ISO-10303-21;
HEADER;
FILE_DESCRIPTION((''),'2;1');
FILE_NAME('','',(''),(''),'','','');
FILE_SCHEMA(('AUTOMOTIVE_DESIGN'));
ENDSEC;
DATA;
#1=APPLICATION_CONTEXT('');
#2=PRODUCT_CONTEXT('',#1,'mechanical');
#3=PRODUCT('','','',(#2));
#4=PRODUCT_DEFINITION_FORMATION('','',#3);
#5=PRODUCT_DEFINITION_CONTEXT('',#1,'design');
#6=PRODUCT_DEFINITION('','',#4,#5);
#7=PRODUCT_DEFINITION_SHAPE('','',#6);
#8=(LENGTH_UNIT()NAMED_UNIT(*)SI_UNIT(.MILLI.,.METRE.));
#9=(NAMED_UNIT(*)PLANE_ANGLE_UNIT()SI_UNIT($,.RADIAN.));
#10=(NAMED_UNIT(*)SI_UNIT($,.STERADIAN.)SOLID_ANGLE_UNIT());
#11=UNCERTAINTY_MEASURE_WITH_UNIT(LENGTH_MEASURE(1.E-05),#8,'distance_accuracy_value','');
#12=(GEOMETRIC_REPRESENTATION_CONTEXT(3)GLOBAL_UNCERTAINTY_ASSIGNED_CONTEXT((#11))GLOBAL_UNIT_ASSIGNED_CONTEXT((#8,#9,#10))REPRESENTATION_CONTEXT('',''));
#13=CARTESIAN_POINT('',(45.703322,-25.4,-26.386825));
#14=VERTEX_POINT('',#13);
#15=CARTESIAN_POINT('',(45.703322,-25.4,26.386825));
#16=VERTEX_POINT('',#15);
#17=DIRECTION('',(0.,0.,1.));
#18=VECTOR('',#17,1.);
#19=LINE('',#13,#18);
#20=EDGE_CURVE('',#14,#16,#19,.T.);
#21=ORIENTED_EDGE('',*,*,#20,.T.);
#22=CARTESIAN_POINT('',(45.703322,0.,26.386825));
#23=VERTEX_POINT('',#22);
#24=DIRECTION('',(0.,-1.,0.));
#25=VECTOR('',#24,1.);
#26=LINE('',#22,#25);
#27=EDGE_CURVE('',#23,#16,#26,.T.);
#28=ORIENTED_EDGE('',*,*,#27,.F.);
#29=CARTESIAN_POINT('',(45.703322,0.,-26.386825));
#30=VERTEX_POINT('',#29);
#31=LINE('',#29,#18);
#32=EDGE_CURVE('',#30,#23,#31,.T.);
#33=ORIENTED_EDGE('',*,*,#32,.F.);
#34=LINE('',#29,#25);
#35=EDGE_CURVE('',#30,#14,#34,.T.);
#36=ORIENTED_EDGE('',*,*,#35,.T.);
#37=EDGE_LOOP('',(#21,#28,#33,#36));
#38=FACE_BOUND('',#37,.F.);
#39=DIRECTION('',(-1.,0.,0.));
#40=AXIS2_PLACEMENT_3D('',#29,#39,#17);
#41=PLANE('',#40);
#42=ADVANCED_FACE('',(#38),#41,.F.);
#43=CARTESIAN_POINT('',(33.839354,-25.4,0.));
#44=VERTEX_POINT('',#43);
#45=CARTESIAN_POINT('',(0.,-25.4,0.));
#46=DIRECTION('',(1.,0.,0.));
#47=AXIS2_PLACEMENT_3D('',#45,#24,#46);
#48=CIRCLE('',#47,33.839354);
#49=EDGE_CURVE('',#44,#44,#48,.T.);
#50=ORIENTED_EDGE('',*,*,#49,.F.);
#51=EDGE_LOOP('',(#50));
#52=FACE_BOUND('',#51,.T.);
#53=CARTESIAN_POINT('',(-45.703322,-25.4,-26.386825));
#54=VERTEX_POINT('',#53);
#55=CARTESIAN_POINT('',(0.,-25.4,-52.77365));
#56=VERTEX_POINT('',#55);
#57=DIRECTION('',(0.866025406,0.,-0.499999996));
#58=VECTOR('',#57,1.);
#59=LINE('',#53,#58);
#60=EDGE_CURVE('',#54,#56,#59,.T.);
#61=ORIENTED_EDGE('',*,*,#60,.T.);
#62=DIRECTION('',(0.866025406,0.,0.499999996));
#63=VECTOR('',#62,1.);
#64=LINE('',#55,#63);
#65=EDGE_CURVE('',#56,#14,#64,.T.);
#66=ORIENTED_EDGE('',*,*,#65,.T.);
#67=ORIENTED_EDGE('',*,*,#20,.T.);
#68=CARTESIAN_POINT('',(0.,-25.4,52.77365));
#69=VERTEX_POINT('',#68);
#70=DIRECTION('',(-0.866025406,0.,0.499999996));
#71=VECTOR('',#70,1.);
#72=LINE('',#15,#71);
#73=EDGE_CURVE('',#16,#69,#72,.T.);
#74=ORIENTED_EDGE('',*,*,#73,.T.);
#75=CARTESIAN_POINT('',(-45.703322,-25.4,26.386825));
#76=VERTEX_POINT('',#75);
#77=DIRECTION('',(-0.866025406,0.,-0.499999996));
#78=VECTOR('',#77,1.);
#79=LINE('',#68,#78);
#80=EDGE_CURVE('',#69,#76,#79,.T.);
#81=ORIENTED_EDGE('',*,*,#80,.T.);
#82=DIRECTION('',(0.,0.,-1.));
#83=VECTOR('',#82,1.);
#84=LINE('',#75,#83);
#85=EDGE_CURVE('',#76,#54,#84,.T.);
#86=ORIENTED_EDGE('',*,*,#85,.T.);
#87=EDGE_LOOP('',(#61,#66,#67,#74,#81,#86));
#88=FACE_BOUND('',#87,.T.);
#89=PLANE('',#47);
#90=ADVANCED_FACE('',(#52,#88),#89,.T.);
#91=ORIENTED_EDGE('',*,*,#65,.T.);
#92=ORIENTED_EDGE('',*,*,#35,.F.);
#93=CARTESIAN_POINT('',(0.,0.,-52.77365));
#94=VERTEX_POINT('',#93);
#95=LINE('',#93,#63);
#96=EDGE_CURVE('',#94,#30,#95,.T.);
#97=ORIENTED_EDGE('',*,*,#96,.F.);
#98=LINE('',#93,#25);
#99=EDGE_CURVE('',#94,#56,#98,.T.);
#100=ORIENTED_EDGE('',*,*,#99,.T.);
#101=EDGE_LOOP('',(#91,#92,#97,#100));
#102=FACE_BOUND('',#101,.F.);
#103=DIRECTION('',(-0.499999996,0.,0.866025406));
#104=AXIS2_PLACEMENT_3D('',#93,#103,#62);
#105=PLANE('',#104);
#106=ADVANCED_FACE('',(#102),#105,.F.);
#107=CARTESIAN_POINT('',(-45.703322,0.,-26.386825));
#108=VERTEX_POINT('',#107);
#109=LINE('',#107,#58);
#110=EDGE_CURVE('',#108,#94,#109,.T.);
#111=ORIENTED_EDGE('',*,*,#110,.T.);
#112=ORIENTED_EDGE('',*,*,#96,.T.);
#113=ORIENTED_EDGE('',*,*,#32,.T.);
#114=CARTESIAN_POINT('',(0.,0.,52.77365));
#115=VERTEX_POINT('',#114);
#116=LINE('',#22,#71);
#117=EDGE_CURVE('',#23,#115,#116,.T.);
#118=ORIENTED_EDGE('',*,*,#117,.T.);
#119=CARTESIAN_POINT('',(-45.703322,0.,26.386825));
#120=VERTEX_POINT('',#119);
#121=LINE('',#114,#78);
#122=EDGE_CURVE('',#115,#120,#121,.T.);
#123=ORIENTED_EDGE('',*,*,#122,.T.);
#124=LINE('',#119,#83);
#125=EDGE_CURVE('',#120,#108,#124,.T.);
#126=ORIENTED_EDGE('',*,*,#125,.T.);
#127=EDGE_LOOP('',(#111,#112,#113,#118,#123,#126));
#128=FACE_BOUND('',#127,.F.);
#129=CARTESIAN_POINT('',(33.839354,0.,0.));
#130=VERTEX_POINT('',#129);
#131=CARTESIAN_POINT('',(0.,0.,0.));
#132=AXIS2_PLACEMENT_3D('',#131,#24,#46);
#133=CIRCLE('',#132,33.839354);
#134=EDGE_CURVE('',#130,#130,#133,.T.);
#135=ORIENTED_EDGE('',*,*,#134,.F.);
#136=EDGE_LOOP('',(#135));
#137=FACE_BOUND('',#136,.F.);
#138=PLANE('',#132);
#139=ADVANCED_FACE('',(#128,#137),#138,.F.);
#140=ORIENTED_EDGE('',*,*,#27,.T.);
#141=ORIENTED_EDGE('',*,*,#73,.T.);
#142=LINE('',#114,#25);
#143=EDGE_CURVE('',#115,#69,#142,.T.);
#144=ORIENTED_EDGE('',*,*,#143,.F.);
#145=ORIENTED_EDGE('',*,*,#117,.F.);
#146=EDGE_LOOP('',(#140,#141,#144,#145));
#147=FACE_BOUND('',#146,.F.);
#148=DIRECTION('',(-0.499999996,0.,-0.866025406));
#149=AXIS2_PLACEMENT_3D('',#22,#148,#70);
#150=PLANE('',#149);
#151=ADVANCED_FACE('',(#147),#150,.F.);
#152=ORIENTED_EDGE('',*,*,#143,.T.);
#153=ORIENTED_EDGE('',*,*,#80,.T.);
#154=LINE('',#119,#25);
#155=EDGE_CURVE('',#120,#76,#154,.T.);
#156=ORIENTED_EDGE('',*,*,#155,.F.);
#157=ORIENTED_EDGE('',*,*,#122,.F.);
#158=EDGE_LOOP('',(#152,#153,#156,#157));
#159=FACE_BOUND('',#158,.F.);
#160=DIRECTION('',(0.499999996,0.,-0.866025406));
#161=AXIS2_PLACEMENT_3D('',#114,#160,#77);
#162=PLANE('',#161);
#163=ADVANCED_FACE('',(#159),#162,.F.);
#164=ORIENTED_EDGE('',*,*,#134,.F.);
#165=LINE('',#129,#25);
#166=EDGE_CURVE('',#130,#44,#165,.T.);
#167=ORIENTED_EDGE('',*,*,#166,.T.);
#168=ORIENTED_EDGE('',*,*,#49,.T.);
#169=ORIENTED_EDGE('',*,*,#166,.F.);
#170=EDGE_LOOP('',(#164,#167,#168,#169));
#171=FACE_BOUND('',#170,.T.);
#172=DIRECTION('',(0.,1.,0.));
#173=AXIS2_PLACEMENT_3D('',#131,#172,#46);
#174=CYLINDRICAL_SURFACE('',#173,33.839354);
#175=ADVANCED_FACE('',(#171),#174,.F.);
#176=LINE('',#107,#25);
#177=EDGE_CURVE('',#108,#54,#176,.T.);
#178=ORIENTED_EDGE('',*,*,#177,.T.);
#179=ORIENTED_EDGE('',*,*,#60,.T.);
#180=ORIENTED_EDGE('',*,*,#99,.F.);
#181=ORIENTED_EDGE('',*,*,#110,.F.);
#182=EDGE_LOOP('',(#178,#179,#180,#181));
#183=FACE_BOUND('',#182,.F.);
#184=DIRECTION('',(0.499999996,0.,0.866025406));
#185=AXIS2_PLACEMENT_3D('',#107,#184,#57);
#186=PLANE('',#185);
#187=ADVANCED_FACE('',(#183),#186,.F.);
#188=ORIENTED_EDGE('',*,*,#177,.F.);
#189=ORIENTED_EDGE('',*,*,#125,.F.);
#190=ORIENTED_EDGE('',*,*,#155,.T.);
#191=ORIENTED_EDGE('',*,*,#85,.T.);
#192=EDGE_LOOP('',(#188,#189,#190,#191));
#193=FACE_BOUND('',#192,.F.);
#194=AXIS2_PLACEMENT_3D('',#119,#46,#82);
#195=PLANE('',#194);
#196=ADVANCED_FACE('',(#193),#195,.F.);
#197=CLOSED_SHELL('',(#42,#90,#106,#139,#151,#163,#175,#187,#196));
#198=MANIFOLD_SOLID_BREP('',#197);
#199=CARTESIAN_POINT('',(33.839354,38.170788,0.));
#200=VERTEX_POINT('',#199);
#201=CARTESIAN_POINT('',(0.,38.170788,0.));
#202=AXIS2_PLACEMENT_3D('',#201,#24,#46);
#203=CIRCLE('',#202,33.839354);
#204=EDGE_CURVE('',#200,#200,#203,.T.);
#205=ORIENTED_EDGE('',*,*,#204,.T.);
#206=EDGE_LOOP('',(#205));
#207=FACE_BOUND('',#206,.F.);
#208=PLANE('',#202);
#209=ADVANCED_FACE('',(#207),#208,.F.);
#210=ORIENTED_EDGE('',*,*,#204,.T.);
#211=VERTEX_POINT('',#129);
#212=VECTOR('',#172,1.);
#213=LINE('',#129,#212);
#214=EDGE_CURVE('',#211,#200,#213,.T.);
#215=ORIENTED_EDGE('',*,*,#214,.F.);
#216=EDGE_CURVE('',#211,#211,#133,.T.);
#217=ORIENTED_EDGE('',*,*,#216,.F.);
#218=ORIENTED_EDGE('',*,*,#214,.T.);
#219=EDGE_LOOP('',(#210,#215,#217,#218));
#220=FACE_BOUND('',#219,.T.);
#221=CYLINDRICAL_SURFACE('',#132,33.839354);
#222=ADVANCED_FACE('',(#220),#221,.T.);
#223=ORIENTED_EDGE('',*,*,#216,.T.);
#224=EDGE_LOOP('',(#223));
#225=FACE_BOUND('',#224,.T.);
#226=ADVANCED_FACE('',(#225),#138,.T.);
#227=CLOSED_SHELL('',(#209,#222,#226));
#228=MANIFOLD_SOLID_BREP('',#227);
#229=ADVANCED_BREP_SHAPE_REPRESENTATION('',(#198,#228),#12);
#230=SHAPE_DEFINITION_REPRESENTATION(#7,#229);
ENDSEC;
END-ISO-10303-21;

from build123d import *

# Parameters (mm, degrees)
F0_R     = 33.839354
F1_DEPTH = 38.170788
F2_DEPTH = 25.4


with BuildPart() as f1:
    # F0 (on Front) → F1 (new body)
    with BuildSketch(Plane.XZ):
        Circle(F0_R)
    extrude(amount=-F1_DEPTH)


with BuildPart() as f2:
    # F0 (on Front) → F2 (new body)
    with BuildSketch(Plane.XZ):
        Polygon((45.703322, -26.386825), (45.703322, 26.386825), (0, 52.77365), (-45.703322, 26.386825), (-45.703322, -26.386825), (0, -52.77365), align=None)
        Circle(F0_R, mode=Mode.SUBTRACT)
    extrude(amount=F2_DEPTH)


solid = Compound([f1.part, f2.part])
